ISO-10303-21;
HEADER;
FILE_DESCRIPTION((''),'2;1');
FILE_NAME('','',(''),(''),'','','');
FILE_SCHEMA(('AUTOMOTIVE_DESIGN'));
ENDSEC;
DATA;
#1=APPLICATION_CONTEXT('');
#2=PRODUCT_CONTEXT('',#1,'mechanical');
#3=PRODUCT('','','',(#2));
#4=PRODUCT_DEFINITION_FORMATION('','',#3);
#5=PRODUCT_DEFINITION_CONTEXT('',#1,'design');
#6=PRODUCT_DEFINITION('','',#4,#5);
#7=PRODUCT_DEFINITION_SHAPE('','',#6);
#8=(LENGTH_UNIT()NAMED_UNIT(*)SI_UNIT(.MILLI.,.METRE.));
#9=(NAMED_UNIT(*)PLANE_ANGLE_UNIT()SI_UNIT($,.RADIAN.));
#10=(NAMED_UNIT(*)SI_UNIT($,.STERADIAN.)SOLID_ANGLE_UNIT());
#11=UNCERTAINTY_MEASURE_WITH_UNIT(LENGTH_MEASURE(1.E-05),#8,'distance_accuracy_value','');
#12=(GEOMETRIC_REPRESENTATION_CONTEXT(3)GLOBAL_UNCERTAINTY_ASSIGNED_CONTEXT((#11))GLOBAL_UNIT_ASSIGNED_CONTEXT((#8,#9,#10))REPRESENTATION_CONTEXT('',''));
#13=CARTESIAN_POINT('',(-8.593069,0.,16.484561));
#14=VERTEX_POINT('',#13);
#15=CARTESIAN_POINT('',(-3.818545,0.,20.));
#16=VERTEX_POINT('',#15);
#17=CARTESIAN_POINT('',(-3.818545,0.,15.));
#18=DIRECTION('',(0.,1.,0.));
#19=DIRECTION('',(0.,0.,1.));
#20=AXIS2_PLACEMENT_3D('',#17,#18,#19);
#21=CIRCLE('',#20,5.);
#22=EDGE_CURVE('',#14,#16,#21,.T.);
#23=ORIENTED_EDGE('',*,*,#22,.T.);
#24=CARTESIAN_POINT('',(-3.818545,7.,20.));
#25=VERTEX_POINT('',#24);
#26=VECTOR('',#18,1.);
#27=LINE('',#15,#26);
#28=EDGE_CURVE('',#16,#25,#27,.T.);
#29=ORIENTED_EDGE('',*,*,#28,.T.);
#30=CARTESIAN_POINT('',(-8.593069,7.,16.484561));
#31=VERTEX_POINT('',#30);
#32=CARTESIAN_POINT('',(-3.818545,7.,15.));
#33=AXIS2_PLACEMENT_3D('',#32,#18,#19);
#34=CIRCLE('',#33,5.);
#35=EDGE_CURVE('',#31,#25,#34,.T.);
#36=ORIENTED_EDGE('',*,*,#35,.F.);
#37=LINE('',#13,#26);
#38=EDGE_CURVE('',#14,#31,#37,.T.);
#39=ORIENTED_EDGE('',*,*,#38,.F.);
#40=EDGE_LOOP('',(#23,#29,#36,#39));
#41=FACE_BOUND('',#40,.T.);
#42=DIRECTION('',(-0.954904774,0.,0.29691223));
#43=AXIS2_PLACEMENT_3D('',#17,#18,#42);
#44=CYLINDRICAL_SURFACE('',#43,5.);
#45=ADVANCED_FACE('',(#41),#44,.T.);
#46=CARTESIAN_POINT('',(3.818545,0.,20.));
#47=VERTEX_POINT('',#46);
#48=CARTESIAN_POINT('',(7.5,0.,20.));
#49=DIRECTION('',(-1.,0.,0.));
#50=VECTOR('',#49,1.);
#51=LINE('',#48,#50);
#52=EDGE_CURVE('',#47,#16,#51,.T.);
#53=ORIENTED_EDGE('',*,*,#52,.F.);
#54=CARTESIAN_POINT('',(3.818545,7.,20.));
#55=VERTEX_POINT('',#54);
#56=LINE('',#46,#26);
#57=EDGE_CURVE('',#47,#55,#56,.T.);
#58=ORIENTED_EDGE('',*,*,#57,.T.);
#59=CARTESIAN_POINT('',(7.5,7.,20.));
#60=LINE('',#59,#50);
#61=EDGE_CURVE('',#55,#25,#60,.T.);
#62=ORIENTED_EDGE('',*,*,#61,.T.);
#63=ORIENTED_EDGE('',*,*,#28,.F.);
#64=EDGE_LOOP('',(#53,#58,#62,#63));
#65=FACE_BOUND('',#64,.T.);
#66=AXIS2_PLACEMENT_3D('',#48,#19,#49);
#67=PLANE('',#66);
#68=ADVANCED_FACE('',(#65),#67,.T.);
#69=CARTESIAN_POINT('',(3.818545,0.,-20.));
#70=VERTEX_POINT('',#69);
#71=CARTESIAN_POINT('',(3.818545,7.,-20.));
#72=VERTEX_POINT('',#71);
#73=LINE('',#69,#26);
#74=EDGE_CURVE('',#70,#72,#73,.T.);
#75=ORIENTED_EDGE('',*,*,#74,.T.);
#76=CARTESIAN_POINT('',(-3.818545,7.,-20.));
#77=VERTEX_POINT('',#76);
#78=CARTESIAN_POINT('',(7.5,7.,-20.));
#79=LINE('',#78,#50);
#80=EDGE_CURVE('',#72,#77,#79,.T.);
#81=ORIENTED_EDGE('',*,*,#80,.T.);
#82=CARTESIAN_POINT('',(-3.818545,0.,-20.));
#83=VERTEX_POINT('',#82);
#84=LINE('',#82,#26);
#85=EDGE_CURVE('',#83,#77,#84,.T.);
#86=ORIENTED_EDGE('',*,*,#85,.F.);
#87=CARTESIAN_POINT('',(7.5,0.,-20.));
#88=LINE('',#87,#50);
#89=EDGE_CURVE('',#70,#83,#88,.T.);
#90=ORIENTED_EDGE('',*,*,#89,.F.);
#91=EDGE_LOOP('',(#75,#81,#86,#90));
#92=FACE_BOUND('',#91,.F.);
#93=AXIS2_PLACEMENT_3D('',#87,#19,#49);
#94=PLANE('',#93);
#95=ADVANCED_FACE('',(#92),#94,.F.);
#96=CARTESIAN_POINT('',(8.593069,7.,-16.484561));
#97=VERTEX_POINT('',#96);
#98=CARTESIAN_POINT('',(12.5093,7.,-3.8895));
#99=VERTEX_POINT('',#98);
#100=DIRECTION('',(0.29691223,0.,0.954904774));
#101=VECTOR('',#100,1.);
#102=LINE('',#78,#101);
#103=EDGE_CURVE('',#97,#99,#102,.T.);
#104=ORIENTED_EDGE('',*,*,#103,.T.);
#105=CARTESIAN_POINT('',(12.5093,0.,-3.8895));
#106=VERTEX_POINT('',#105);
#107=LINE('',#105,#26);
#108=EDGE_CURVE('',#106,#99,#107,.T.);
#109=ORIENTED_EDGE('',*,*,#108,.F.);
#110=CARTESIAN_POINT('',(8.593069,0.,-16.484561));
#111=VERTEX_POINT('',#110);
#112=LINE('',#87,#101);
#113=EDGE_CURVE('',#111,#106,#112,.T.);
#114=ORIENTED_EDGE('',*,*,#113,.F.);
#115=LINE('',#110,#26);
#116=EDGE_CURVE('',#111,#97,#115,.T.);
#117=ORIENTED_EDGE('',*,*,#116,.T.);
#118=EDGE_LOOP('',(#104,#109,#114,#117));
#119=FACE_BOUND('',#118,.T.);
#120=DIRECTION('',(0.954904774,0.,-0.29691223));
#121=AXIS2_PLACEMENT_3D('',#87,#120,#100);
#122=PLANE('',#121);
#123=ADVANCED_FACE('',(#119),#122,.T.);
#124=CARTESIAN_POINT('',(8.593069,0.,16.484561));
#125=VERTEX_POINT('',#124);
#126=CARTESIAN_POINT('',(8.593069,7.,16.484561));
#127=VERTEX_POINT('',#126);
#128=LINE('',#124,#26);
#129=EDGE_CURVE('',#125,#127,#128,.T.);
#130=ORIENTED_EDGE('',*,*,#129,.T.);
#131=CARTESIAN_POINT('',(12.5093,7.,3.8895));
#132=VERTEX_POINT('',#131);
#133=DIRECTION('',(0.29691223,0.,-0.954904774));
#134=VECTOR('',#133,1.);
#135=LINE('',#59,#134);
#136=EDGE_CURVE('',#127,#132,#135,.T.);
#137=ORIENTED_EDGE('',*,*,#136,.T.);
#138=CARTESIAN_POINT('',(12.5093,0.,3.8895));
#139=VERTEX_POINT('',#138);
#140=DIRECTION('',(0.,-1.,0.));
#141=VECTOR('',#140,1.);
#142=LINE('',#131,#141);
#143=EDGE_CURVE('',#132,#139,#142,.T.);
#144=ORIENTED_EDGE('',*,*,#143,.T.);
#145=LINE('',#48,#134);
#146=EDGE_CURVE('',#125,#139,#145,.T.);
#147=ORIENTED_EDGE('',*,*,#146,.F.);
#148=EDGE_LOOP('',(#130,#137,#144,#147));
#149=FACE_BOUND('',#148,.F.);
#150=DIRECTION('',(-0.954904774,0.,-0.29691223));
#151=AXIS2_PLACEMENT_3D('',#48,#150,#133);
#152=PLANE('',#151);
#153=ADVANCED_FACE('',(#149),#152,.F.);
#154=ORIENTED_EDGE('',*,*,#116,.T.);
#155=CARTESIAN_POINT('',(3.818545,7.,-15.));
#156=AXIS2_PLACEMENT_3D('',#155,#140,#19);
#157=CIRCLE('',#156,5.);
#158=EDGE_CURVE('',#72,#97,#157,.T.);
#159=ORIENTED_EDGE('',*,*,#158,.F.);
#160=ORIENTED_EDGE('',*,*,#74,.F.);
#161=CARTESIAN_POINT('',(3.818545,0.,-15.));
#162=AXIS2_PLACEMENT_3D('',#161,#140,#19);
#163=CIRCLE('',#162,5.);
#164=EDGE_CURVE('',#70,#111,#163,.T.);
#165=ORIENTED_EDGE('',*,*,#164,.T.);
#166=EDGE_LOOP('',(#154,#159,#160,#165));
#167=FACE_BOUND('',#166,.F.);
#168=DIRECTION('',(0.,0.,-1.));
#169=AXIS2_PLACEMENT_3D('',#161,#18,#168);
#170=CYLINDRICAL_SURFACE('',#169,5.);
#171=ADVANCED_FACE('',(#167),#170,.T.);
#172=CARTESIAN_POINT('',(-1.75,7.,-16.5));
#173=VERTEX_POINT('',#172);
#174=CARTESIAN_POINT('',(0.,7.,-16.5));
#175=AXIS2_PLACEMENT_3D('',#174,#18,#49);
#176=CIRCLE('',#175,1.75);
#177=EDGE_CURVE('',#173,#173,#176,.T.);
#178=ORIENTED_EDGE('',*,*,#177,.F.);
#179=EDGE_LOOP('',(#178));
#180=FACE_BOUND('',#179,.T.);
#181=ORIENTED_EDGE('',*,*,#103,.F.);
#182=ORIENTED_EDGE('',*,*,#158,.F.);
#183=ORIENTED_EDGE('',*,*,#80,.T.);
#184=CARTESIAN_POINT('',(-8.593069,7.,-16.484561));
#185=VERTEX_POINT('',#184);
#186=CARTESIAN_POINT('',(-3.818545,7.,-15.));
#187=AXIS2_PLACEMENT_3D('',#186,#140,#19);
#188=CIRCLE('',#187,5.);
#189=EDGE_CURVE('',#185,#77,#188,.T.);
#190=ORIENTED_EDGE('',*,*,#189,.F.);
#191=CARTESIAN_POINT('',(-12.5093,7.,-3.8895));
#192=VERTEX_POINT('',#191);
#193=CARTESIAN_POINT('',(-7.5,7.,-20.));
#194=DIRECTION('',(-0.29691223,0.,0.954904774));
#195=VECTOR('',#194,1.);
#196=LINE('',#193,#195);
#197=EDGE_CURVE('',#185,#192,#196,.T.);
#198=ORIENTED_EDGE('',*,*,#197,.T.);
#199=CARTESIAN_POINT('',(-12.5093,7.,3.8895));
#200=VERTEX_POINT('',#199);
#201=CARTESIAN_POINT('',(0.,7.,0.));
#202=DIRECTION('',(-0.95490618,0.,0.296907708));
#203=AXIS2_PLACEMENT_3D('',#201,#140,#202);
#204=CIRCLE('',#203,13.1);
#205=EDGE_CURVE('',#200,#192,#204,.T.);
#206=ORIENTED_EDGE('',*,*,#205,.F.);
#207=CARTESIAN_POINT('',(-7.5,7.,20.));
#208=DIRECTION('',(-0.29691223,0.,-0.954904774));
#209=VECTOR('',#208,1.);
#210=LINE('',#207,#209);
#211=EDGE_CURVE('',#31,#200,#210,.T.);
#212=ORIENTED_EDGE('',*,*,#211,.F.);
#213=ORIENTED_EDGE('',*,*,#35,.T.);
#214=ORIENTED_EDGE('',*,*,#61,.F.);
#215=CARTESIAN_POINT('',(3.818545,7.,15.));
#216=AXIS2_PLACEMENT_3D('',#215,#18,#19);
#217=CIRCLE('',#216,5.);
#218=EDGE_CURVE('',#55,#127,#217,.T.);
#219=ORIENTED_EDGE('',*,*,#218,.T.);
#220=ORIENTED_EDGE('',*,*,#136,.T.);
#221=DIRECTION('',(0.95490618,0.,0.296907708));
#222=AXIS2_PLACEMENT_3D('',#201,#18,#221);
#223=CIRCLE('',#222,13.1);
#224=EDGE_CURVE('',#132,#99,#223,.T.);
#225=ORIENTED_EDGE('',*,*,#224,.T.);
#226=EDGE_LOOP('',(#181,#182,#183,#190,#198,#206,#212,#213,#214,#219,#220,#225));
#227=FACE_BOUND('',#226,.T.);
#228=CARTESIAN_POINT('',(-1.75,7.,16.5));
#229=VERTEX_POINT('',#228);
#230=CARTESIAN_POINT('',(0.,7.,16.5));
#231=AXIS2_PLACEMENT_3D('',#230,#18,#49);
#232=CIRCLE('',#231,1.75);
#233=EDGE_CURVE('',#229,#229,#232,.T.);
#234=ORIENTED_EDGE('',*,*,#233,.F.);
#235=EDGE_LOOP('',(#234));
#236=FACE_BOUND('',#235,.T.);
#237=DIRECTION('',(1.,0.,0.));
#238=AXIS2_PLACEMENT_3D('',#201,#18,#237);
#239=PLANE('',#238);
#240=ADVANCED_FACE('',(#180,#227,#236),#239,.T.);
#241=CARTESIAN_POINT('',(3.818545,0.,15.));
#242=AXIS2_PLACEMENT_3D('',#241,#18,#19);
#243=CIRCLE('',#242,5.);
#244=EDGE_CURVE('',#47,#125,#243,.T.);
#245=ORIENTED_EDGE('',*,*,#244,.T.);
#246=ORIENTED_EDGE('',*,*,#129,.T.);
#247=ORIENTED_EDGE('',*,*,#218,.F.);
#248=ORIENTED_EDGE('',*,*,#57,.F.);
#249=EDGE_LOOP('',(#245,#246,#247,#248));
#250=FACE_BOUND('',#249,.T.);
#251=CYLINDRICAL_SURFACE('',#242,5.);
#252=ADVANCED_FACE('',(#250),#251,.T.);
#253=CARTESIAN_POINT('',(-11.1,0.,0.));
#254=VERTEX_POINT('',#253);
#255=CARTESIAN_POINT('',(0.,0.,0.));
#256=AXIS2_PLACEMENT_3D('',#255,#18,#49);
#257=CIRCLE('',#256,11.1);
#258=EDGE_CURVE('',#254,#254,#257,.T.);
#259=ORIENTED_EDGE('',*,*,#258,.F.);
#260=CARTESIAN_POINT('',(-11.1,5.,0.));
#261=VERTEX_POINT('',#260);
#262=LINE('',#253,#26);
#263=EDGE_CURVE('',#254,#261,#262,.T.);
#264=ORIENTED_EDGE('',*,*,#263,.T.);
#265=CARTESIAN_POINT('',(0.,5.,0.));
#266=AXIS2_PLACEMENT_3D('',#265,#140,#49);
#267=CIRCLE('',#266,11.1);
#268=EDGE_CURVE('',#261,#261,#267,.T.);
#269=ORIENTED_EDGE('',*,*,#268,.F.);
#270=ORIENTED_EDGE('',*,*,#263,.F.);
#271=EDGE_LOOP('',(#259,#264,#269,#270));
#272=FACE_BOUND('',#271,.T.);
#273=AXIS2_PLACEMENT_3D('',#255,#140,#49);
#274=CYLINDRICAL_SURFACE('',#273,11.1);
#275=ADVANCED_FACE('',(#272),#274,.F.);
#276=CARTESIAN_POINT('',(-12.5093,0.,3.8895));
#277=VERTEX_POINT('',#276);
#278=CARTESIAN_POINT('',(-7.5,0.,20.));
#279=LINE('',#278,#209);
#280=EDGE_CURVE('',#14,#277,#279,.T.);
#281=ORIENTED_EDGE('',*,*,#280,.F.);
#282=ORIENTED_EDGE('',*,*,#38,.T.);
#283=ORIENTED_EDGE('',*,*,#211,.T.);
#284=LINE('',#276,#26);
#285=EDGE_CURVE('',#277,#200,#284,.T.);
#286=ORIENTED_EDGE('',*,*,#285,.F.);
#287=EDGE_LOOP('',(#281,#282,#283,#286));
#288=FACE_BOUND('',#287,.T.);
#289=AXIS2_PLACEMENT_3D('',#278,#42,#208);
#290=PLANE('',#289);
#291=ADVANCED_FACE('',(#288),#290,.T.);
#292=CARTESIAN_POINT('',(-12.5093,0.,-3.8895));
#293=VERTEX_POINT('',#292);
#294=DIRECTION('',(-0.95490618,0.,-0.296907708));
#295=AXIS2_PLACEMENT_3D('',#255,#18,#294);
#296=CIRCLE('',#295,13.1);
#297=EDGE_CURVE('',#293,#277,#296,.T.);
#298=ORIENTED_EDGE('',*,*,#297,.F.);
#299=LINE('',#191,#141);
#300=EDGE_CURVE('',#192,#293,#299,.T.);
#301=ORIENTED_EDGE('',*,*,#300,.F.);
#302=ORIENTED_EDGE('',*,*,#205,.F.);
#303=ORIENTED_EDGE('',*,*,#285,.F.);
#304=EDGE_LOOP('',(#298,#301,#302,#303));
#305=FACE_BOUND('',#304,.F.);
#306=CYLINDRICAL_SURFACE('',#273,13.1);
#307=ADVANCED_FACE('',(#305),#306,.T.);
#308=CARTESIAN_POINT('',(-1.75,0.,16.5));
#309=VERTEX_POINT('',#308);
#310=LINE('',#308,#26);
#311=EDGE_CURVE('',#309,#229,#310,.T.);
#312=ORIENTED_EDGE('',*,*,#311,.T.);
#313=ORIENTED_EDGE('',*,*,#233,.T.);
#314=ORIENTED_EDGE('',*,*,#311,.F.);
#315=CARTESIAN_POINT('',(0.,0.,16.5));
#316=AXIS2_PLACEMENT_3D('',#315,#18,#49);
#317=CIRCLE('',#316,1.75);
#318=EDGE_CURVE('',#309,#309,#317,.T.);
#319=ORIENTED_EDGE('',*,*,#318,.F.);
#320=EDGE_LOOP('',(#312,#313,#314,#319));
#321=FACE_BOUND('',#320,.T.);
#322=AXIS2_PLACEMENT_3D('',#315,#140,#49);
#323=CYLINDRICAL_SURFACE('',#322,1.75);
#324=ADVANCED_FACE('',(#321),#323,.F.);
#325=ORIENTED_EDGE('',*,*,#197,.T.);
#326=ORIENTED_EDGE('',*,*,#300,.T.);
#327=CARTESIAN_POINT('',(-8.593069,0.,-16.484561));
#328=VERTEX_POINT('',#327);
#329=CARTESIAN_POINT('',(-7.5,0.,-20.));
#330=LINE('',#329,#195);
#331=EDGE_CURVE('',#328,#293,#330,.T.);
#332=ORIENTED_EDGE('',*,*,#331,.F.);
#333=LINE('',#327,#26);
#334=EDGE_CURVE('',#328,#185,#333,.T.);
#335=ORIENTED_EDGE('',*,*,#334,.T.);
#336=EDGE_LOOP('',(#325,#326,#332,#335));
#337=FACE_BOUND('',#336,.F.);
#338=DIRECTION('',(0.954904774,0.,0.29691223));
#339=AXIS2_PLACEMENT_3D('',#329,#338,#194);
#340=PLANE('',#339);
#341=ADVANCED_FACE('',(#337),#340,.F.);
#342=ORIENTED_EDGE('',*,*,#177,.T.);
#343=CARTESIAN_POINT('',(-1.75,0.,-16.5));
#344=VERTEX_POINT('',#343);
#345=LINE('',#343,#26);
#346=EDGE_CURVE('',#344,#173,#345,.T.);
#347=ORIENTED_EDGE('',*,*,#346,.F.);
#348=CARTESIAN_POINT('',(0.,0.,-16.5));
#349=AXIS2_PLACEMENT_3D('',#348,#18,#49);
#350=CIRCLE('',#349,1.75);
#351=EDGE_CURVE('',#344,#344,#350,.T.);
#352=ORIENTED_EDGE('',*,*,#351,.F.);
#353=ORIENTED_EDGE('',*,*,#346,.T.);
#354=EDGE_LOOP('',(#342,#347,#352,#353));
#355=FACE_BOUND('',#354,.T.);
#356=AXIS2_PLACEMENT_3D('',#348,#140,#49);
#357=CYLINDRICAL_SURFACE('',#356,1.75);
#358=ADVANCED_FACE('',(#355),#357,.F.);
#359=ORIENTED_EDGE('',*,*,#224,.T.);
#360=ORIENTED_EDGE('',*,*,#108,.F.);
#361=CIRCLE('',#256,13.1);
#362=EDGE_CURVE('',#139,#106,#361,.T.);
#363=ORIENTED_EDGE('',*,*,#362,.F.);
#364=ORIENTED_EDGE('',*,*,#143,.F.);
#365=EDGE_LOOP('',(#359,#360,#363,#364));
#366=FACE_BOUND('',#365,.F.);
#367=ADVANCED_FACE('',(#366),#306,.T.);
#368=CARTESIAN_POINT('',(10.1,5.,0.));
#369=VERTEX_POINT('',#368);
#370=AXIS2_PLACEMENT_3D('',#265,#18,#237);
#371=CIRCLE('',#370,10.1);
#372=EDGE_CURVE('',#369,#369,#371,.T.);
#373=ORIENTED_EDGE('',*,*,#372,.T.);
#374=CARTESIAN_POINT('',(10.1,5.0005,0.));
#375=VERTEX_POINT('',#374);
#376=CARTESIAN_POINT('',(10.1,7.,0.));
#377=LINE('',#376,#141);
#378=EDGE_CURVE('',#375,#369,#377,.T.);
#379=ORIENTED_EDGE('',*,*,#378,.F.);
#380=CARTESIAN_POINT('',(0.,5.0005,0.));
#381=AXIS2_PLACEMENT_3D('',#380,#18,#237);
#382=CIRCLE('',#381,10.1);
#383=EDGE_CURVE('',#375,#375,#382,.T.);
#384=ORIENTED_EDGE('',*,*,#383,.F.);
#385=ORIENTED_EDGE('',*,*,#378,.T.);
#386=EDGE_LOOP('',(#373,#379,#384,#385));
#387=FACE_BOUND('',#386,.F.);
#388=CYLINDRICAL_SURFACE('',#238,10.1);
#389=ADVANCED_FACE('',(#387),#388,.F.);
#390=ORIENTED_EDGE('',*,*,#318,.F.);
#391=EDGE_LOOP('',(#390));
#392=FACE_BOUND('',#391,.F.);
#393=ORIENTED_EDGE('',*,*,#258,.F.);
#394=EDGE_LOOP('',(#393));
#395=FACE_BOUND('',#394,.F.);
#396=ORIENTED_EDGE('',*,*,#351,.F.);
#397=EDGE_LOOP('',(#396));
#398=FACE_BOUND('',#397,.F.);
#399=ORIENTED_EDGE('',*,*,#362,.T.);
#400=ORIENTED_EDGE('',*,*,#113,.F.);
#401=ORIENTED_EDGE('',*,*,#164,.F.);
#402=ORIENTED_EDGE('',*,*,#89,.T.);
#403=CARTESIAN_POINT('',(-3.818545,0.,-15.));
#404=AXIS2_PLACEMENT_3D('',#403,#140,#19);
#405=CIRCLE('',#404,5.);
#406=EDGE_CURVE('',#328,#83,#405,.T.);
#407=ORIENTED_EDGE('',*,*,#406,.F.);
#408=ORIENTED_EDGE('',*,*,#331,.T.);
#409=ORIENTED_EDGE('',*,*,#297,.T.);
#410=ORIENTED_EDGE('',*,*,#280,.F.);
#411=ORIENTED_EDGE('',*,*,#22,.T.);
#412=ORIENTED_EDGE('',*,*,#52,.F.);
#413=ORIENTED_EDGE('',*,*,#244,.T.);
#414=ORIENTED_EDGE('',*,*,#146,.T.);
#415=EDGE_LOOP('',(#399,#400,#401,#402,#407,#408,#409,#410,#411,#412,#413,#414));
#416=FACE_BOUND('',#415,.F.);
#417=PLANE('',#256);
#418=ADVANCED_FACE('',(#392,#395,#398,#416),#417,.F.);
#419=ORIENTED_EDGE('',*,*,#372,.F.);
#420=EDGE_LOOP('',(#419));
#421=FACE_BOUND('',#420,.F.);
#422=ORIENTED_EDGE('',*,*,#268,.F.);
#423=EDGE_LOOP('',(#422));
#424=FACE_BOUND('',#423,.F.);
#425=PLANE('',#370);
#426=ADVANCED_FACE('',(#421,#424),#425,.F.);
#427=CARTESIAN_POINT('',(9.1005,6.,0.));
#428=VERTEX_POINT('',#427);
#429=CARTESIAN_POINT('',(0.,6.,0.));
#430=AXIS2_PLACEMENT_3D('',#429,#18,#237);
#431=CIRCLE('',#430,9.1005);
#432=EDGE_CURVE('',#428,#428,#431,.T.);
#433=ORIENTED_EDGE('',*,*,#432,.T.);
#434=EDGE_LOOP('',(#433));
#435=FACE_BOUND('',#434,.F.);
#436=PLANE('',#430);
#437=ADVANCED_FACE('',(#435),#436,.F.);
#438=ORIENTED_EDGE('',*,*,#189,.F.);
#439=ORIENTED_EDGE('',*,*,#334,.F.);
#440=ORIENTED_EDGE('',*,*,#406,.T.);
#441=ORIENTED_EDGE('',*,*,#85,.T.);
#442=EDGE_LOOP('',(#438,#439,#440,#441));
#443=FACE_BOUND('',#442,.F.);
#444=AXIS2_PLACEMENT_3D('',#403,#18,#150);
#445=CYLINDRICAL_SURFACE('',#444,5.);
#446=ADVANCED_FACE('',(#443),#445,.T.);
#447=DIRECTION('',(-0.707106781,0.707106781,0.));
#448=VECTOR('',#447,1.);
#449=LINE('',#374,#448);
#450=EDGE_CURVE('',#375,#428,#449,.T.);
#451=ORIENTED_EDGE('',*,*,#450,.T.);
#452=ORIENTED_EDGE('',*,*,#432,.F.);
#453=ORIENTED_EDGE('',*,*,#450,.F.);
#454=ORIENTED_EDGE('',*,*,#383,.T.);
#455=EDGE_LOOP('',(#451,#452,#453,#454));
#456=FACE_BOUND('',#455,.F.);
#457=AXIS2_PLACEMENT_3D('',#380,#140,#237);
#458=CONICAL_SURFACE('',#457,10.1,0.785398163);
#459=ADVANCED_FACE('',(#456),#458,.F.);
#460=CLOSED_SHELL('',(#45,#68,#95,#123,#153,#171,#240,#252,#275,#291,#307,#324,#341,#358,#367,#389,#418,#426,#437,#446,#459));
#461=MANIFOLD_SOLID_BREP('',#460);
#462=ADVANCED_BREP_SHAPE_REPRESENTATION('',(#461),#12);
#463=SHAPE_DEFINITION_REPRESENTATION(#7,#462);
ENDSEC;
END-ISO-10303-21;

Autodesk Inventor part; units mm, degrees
ref_plane "YZ Plane" through (0, 0, 0) normal (1, 0, 0) x (0, 1, 0)
ref_plane "XZ Plane" through (0, 0, 0) normal (0, 1, 0) x (-1, 0, 0)
ref_plane "XY Plane" through (0, 0, 0) normal (0, 0, 1) x (1, 0, 0)
sketch "Szkic1" plane through (0, 0, 0) normal (0, 1, 0) x (-1, 0, 0)
  circle A0 centre (0, 0) radius 11.1
  circle A1 centre (0, 0) radius 13.1
  line L0 (-7.5, 20) -> (7.5, 20)
  line L1 (0, 20) -> (0, 0) construction
  line L2 (7.5, 20) -> (12.5093, 3.8895)
  line L3 (-7.5, 20) -> (-12.5093, 3.8895)
  circle A2 centre (0, 16.5) radius 1.75
  line L4 (0, 0) -> (13.1, 0) construction
  line L5 (-7.5, -20) -> (7.5, -20)
  line L6 (0, -20) -> (0, 0) construction
  line L7 (7.5, -20) -> (12.5093, -3.8895)
  line L8 (-7.5, -20) -> (-12.5093, -3.8895)
  circle A3 centre (0, -16.5) radius 1.75
  arc A4 (12.5093, 3.8895) -> (-12.5093, 3.8895) centre (0, 0) ccw
  arc A5 (-12.5093, -3.8895) -> (12.5093, -3.8895) centre (0, 0) ccw
  dimension "d0" = 22.2
  dimension "d1" = 2
  dimension "d2" = 15
  dimension "d3" = 20
  dimension "d7" = 16.5
  dimension "d8" = 3.5
extrude "Wyciągnięcie proste1" add sketch "Szkic1" along normal blind 7
sketch "Szkic2" plane through (0, 7, 0) normal (0, 1, 0) x (1, 0, 0)
  circle A0 centre (0, 0) radius 13.1
  arc A1 (-12.5093, 3.8895) -> (-12.5093, -3.8895) centre (0, 0) ccw construction
  circle A2 centre (0, 0) radius 10.1
  circle A3 centre (0, 0) radius 11.1 construction
  dimension "d16" = 1
extrude "Wyciągnięcie proste2" add sketch "Szkic2" against normal blind 2
fillet "Zaokrąglenie1" radius 5 4 edges at (-7.5, 3.5, 20) (7.5, 3.5, 20) (7.5, 3.5, -20) (-7.5, 3.5, -20)
sketch "Sketch3" plane through (0, 7, 0) normal (0, 1, 0) x (1, 0, 0)
  circle A0 centre (0, 0) radius 10.1 projected
extrude "Extrusion3" add sketch "Sketch3" against normal blind 1
chamfer "Chamfer1" distance 1 angle 45 1 edges at (-10.1, 6, 0)
properties part number "CH_01_0022_bearing_mount"
